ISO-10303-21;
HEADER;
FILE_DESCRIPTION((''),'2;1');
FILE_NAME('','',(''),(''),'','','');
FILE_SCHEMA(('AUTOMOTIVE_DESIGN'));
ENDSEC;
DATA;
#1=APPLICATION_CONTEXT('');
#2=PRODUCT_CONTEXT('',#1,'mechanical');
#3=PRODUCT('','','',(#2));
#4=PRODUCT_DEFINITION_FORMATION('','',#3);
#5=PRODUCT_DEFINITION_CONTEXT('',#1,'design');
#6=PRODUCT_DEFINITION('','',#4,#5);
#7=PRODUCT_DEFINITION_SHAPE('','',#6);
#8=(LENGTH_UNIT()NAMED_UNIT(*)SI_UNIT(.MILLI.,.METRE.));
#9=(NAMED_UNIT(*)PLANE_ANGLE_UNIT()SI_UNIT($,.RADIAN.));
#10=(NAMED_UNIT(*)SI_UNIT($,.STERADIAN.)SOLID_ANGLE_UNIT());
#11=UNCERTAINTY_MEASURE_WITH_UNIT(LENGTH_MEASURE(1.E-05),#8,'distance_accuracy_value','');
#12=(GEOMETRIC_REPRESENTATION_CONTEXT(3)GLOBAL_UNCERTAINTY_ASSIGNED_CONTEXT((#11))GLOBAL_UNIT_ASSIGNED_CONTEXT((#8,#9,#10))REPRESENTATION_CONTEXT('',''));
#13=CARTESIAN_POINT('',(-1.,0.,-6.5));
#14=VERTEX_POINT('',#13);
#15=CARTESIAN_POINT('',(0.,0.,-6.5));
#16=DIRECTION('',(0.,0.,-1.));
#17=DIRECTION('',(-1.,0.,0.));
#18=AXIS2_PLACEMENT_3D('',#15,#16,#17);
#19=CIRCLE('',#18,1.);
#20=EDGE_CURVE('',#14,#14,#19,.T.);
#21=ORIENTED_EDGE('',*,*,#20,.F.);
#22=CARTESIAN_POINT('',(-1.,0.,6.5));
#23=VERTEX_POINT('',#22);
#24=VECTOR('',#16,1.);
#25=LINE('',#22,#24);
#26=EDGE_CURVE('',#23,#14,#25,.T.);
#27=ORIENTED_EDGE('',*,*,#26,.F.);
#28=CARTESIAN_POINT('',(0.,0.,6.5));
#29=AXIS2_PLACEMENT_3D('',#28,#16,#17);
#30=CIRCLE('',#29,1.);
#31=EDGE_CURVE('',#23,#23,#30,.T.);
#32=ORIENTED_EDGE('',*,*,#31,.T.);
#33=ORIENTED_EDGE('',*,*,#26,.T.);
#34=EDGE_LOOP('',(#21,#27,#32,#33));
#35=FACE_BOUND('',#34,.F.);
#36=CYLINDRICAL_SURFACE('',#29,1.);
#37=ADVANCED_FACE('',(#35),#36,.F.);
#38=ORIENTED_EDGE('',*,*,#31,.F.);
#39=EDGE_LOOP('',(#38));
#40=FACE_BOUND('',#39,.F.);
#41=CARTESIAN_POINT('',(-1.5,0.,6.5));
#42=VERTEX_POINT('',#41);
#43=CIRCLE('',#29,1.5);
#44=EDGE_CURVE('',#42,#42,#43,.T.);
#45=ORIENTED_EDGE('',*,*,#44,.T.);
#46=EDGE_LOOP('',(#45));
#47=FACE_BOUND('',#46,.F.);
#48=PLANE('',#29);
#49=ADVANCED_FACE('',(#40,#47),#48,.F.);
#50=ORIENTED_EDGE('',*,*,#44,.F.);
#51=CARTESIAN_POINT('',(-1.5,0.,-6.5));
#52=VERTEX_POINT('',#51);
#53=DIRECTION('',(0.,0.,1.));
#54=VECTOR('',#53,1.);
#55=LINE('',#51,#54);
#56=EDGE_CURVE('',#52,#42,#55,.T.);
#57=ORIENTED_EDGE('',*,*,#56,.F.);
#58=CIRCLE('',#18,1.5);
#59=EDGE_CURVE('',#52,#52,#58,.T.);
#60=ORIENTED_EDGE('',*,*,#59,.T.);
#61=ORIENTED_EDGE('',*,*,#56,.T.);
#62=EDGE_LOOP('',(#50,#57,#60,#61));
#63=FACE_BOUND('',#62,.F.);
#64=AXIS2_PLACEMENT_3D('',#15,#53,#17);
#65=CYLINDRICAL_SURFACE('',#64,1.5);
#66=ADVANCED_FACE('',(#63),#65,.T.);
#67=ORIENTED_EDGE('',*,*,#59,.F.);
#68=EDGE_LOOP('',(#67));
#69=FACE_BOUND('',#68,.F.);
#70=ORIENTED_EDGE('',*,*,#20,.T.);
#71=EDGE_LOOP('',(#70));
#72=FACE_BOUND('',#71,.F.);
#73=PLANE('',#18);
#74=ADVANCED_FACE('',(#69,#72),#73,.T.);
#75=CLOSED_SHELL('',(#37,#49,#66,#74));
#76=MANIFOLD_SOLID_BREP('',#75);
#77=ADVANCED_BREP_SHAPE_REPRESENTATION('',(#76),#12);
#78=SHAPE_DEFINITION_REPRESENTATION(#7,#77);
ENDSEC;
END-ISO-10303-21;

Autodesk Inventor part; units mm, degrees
ref_plane "YZ Plane" through (0, 0, 0) normal (1, 0, 0) x (0, 1, 0)
ref_plane "XZ Plane" through (0, 0, 0) normal (0, 1, 0) x (-1, 0, 0)
ref_plane "XY Plane" through (0, 0, 0) normal (0, 0, 1) x (1, 0, 0)
sketch "Sketch1" plane through (0, 0, 0) normal (0, 1, 0) x (-1, 0, 0)
  line L0 (1, 6.5) -> (1, -6.5)
  line L1 (1, -6.5) -> (1.5, -6.5)
  line L2 (1.5, -6.5) -> (1.5, 6.5)
  line L3 (1.5, 6.5) -> (1, 6.5)
  line L4 (0, 0) -> (1.5, 0) construction
  line L5 (0, 0) -> (0, -3) construction
  dimension "d0" = 13
  dimension "d1" = 1.5
  dimension "d2" = 1
revolve "Revolution1" add sketch "Sketch1" angle 360 about axis through (0, 0, 0) along (0, 0, -1)
properties part number "nylon_shaft_11mm"
